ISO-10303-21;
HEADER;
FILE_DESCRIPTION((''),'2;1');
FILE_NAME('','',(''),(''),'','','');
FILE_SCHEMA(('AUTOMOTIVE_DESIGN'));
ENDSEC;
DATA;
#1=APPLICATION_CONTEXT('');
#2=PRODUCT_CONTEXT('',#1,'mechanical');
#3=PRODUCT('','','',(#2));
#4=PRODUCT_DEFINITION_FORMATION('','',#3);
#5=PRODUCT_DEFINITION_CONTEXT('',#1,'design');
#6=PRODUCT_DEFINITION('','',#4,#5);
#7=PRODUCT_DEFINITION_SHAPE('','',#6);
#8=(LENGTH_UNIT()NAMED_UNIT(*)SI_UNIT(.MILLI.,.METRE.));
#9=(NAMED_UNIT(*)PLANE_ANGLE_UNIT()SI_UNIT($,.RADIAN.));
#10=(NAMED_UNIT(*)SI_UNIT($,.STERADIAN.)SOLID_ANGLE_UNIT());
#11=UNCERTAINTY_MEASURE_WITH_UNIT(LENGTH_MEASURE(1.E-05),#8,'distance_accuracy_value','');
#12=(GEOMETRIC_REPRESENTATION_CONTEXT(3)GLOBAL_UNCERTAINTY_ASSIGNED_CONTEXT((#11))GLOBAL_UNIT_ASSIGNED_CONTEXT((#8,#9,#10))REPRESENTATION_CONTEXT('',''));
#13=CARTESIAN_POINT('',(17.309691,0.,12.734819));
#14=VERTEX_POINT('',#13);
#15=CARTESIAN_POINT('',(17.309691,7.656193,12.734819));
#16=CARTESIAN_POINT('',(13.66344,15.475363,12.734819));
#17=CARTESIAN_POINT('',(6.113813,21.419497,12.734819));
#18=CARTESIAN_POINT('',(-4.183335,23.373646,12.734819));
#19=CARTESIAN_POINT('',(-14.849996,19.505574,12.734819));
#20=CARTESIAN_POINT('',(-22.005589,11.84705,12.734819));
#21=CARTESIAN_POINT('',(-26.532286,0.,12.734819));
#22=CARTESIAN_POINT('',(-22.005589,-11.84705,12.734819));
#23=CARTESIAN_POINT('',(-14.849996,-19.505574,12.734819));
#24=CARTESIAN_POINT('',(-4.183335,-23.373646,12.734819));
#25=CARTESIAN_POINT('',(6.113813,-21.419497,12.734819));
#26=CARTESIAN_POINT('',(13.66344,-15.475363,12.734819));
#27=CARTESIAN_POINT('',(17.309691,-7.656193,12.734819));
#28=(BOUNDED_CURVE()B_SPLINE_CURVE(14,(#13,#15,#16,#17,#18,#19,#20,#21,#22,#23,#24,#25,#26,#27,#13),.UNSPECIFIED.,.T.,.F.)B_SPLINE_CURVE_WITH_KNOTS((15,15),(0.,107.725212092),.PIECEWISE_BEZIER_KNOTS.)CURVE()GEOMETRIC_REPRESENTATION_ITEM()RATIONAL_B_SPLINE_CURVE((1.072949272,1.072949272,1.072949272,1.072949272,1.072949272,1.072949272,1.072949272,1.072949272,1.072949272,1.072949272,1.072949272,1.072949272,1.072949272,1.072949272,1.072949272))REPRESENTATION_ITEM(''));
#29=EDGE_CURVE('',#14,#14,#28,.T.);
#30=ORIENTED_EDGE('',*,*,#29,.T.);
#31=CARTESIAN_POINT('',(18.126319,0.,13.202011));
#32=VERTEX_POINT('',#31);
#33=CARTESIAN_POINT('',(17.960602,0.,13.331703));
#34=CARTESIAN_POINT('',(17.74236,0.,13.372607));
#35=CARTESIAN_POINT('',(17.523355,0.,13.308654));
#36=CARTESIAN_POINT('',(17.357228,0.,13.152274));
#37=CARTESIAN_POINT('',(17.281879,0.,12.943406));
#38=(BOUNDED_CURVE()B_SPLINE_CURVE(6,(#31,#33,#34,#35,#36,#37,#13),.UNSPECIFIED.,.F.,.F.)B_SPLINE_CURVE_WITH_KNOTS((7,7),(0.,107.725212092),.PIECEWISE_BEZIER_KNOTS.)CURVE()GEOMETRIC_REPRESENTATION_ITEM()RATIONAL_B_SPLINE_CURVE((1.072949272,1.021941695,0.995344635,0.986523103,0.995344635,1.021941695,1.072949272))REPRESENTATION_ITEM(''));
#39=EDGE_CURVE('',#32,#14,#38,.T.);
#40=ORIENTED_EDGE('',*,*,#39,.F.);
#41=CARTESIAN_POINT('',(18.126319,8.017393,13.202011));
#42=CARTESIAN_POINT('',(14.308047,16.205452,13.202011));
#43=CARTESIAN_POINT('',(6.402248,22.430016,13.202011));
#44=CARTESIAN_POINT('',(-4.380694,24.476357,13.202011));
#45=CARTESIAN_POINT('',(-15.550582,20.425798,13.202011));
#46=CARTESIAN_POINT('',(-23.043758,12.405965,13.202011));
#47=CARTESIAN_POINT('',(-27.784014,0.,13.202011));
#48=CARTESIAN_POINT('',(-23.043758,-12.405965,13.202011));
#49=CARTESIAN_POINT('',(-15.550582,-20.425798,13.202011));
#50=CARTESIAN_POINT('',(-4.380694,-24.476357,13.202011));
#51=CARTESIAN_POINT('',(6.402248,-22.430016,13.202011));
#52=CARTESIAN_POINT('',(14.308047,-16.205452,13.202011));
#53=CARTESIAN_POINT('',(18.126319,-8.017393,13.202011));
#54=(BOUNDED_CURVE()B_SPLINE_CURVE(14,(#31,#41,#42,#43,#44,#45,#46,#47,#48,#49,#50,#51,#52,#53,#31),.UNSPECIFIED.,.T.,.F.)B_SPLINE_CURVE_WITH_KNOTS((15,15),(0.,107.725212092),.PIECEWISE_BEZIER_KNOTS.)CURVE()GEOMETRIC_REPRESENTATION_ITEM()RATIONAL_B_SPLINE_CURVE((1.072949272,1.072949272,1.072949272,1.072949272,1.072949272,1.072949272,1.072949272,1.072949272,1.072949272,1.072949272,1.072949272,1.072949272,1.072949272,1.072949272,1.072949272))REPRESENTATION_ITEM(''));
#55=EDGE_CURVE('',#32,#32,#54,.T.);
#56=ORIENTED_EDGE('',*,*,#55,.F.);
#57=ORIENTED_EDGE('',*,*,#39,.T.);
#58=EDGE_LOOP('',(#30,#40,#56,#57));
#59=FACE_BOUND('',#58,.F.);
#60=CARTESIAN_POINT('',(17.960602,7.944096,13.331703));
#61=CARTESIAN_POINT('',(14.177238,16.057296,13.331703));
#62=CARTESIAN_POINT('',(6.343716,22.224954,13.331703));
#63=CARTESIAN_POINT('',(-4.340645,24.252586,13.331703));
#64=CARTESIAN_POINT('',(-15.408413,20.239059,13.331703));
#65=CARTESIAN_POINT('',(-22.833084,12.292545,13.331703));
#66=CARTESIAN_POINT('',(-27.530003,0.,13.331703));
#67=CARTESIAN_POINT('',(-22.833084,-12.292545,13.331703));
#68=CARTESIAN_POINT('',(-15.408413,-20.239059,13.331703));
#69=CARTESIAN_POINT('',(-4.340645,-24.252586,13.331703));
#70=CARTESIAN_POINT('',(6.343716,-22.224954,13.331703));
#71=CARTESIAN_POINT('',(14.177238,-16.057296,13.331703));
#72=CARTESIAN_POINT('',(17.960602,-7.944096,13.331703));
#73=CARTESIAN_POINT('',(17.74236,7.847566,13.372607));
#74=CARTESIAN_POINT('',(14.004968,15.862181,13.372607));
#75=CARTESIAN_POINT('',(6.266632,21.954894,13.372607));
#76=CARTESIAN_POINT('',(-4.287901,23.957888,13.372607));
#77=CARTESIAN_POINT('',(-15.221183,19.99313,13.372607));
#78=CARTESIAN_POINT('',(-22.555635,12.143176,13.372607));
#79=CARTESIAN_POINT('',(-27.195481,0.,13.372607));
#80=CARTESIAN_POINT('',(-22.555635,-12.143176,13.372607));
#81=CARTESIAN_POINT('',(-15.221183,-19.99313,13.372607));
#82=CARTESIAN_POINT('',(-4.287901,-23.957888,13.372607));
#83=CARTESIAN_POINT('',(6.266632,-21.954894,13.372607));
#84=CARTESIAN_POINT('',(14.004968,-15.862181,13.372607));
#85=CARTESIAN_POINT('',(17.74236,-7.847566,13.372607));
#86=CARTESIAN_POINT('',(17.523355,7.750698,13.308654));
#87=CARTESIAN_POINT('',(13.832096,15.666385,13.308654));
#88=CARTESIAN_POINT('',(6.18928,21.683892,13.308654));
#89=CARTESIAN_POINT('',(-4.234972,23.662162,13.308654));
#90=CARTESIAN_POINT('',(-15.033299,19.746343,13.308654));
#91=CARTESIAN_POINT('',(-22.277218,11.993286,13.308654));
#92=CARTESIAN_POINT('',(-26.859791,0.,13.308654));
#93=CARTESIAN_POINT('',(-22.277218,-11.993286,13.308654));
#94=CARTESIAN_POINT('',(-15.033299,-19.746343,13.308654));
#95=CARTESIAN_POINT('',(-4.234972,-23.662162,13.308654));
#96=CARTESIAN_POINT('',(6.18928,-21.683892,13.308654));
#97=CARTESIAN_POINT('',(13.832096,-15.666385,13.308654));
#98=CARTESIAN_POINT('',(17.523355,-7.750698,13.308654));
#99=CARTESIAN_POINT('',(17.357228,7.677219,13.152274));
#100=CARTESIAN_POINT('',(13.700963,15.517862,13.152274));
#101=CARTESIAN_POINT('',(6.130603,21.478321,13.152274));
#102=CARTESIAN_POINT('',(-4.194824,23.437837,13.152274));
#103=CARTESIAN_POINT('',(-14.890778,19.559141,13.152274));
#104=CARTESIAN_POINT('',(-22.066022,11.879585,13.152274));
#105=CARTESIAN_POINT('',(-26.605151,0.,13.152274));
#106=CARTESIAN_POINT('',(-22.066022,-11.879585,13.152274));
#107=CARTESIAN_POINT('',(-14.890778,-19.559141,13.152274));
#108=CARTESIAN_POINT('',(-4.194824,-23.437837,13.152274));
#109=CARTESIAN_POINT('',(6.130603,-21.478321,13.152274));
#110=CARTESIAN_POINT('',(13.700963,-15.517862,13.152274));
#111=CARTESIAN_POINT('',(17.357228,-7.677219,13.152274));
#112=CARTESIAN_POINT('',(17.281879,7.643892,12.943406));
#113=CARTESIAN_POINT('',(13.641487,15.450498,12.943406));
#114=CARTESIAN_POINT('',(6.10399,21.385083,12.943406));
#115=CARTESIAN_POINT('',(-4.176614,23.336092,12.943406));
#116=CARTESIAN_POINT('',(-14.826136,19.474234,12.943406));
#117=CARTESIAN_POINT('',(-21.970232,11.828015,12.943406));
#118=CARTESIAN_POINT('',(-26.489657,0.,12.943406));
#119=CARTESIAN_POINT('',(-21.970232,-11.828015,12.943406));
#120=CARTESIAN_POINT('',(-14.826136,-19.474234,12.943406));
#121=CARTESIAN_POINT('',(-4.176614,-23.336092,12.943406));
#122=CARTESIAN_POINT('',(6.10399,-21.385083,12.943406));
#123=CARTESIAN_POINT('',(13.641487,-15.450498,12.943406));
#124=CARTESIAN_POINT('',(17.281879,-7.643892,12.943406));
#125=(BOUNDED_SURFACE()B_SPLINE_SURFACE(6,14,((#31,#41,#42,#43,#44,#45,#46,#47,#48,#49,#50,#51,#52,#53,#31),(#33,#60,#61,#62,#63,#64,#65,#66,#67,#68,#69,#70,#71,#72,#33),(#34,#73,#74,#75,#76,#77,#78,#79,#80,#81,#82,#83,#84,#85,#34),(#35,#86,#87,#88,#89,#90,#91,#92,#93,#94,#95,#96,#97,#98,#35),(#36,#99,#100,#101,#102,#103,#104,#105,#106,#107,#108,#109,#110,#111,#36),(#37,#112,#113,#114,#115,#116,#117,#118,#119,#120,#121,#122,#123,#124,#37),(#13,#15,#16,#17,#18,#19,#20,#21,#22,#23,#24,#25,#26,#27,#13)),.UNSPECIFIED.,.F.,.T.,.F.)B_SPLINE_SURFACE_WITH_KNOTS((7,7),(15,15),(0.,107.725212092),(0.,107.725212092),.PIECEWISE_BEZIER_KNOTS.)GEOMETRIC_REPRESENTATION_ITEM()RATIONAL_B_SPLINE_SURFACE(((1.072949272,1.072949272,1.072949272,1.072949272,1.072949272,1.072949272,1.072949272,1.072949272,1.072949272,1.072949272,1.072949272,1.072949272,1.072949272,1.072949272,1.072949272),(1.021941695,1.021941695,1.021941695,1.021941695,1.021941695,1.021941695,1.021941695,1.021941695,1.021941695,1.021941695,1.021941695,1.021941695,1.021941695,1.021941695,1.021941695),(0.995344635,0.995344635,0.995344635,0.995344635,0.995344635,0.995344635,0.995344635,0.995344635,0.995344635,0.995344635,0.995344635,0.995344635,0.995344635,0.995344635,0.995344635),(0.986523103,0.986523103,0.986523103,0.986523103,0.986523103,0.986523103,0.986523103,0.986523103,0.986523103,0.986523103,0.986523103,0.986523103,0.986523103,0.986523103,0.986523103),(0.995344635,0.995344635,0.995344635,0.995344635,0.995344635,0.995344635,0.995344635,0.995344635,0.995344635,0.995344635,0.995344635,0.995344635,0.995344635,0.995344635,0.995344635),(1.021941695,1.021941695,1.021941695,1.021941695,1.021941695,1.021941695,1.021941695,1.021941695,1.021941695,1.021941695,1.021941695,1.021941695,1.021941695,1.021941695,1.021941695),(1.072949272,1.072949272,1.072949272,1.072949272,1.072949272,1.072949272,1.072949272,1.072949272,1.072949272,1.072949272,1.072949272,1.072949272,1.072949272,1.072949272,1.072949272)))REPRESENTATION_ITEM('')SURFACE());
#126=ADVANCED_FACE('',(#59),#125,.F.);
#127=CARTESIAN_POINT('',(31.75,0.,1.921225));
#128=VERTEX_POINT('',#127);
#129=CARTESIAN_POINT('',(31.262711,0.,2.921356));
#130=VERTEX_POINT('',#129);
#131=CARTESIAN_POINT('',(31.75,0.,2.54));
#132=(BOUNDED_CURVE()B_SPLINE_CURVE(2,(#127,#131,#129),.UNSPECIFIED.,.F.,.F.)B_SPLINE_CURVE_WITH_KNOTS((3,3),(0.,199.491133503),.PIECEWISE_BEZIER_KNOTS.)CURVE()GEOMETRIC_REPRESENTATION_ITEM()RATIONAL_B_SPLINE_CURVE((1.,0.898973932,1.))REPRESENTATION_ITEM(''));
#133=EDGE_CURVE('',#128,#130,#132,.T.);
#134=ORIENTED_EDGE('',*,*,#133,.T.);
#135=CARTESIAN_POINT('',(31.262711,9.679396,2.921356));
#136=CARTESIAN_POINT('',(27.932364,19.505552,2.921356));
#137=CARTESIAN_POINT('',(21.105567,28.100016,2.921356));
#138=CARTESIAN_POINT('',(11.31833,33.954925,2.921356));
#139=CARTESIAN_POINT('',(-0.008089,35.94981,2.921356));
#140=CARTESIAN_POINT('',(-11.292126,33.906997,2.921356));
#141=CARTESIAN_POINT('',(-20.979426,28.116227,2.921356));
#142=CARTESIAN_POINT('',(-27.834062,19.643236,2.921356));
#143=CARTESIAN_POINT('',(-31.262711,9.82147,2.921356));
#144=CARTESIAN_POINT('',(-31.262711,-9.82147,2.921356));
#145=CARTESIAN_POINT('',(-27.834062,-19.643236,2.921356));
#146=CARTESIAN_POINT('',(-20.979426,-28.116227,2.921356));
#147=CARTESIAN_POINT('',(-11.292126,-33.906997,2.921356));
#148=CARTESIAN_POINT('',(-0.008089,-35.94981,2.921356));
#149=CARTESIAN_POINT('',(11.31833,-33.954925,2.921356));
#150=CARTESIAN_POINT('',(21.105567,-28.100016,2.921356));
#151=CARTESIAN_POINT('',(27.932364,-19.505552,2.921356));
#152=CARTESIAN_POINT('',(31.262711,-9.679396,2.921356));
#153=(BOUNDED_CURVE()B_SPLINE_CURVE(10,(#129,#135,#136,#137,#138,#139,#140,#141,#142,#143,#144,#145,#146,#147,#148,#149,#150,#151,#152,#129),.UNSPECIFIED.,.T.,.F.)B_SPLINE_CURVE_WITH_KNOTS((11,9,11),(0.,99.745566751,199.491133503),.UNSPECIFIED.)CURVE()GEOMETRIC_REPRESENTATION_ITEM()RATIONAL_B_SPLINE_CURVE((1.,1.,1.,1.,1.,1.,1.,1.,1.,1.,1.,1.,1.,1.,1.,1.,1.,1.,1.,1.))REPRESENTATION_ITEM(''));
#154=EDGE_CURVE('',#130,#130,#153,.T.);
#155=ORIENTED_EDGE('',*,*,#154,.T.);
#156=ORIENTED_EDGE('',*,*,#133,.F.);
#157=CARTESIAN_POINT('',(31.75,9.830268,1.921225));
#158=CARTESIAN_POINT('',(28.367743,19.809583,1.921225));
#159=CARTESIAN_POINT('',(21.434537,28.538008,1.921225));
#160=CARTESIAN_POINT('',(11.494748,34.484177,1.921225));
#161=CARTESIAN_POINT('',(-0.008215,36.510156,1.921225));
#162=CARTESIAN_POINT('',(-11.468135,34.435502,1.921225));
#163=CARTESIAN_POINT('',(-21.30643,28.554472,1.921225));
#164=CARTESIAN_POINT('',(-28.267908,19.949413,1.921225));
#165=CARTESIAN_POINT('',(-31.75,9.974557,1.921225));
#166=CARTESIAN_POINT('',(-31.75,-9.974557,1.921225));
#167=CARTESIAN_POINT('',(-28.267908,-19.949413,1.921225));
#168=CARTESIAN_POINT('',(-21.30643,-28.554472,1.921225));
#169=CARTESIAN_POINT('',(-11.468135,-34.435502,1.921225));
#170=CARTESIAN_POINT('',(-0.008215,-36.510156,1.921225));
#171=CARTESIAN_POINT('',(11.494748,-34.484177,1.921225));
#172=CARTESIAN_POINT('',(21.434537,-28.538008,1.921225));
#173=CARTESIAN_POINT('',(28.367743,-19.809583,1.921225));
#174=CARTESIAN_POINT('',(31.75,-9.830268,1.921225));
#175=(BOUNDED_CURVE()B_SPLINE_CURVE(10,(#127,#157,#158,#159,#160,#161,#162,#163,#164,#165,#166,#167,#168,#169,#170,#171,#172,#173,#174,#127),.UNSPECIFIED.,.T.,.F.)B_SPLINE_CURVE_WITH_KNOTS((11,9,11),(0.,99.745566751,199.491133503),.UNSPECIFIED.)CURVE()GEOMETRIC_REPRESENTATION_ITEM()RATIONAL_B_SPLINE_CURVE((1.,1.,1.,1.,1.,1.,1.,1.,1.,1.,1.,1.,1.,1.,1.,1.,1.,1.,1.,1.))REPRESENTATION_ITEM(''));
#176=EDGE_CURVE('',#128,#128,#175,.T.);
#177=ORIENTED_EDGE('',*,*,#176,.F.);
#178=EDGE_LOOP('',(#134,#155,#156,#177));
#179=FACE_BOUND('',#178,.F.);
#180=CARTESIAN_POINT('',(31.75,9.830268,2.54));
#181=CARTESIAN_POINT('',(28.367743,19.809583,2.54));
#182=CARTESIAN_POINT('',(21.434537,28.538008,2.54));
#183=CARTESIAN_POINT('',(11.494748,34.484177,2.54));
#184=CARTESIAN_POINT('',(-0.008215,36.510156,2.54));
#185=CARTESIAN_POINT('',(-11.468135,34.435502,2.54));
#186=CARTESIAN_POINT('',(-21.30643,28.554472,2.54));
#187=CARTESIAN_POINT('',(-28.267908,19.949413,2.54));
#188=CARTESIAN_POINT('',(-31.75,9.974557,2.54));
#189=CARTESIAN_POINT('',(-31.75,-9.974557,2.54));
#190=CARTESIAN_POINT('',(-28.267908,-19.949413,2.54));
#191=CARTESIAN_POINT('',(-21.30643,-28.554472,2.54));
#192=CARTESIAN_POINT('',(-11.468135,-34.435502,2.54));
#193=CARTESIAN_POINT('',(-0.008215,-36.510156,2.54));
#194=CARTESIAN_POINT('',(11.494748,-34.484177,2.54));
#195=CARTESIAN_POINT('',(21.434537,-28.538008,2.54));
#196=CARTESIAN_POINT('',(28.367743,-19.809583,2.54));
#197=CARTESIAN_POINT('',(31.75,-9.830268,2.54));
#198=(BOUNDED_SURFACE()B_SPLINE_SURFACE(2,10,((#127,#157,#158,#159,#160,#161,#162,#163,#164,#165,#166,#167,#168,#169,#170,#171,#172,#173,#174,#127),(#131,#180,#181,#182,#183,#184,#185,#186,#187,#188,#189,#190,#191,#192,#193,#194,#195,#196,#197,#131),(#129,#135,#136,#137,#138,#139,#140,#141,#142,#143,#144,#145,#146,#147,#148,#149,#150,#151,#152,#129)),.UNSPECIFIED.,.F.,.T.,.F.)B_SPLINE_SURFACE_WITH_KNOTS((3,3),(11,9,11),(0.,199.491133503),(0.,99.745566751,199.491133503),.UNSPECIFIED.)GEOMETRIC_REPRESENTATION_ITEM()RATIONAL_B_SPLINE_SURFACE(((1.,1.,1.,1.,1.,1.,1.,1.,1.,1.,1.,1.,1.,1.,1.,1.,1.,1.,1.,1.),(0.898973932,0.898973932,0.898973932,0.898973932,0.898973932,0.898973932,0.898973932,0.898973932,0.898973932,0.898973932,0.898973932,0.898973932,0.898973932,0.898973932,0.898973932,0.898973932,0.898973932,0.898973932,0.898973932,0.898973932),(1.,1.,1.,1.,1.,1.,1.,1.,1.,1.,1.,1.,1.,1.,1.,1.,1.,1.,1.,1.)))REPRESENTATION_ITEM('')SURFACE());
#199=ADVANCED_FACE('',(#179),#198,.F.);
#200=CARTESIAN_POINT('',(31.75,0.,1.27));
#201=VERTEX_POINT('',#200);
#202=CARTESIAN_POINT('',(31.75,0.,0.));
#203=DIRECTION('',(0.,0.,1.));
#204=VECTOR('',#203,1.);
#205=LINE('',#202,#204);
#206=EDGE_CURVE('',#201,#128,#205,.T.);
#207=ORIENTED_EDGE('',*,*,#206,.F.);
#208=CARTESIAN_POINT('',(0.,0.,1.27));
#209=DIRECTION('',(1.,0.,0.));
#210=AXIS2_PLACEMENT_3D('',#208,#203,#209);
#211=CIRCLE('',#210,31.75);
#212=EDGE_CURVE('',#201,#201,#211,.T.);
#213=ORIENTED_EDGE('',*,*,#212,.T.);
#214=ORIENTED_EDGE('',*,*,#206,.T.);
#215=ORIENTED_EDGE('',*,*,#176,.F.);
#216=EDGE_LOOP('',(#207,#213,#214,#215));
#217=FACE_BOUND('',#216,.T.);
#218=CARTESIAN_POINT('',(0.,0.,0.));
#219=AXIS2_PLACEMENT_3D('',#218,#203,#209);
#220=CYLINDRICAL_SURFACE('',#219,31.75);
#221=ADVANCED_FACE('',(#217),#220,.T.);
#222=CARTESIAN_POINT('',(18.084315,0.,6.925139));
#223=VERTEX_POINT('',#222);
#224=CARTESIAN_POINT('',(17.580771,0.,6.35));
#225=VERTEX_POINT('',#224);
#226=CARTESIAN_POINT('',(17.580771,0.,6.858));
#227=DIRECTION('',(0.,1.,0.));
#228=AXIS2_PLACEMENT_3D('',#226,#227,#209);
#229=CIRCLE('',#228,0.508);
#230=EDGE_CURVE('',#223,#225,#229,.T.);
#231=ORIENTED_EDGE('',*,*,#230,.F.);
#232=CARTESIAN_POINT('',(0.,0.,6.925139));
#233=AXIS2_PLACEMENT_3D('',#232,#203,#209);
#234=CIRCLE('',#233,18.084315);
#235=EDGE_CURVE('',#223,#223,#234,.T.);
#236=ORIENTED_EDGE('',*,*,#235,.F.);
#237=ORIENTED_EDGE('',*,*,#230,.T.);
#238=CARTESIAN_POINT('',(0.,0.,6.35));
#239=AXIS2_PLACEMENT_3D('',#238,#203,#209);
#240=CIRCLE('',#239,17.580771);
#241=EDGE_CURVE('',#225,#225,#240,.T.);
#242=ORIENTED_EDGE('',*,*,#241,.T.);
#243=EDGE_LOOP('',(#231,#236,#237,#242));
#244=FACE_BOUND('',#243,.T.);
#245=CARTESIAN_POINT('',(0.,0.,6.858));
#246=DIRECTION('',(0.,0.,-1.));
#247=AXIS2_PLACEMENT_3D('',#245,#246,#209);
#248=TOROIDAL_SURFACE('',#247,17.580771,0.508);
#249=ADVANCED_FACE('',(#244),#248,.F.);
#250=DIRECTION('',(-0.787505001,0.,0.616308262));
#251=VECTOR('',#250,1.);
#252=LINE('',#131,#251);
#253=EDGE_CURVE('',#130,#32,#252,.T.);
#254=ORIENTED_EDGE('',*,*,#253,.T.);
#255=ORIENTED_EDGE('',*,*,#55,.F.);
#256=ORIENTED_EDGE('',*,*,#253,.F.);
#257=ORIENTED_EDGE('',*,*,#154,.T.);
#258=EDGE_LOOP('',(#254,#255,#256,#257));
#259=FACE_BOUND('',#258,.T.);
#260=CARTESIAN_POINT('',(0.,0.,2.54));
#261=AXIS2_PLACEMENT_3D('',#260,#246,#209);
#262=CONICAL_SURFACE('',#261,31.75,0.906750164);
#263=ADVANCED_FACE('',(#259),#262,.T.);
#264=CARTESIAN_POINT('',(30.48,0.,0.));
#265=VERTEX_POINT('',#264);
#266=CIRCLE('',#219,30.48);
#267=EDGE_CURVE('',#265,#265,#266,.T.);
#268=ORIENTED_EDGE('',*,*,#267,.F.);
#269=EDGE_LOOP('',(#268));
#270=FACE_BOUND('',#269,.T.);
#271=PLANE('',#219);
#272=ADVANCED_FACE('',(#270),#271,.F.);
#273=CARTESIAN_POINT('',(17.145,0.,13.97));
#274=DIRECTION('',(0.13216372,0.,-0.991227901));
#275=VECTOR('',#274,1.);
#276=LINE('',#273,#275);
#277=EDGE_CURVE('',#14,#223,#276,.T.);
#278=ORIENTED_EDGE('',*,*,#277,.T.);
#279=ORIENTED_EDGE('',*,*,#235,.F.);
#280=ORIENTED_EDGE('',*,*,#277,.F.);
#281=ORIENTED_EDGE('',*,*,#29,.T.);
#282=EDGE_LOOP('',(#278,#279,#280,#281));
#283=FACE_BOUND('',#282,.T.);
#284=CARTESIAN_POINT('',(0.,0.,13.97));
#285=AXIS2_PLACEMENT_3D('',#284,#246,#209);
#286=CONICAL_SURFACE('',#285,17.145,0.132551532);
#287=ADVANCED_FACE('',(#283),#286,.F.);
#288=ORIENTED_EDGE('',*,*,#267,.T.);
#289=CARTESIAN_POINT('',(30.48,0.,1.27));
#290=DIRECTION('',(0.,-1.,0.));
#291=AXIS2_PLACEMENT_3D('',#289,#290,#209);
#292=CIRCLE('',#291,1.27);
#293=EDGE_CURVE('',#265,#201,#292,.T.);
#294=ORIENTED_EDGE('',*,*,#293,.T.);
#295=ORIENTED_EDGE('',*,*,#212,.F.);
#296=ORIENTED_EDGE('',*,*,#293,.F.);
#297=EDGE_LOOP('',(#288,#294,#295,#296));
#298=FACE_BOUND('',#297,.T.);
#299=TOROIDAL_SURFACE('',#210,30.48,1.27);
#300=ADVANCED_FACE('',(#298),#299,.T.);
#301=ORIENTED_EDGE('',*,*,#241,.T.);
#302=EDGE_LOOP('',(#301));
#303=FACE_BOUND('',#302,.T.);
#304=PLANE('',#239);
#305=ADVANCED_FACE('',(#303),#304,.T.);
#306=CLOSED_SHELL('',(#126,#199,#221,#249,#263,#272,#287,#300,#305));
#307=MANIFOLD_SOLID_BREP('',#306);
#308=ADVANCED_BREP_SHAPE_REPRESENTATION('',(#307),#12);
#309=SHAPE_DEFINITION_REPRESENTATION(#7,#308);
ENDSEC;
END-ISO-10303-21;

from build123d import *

# Parameters (mm, degrees)
F2_R = 1.27
F3_R = 0.508


with BuildPart() as f1:
    # F0 (on Front) → F1 (revolve)
    with BuildSketch(Plane.XZ):
        Polygon((0, 6.35), (0, 0), (31.75, 0), (31.75, 2.54), (17.145, 13.97), (18.161, 6.35), align=None)
    revolve(axis=Axis((0, 0, 24.993432), (0, 0, 1)))

    # F2
    f2_edges = [f1.edges().sort_by_distance(p)[0] for p in [
        (-31.75, 0, 0),
        (-31.75, 0, 2.54),
        (31.75, 0, 1.27),
    ]]
    fillet(f2_edges, radius=F2_R)

    # F3
    f3_edges = [f1.edges().sort_by_distance(p)[0] for p in [
        (-17.145, 0, 13.97),
        (-18.161, 0, 6.35),
        (17.653, 0, 10.16),
    ]]
    fillet(f3_edges, radius=F3_R)


solid = f1.part
